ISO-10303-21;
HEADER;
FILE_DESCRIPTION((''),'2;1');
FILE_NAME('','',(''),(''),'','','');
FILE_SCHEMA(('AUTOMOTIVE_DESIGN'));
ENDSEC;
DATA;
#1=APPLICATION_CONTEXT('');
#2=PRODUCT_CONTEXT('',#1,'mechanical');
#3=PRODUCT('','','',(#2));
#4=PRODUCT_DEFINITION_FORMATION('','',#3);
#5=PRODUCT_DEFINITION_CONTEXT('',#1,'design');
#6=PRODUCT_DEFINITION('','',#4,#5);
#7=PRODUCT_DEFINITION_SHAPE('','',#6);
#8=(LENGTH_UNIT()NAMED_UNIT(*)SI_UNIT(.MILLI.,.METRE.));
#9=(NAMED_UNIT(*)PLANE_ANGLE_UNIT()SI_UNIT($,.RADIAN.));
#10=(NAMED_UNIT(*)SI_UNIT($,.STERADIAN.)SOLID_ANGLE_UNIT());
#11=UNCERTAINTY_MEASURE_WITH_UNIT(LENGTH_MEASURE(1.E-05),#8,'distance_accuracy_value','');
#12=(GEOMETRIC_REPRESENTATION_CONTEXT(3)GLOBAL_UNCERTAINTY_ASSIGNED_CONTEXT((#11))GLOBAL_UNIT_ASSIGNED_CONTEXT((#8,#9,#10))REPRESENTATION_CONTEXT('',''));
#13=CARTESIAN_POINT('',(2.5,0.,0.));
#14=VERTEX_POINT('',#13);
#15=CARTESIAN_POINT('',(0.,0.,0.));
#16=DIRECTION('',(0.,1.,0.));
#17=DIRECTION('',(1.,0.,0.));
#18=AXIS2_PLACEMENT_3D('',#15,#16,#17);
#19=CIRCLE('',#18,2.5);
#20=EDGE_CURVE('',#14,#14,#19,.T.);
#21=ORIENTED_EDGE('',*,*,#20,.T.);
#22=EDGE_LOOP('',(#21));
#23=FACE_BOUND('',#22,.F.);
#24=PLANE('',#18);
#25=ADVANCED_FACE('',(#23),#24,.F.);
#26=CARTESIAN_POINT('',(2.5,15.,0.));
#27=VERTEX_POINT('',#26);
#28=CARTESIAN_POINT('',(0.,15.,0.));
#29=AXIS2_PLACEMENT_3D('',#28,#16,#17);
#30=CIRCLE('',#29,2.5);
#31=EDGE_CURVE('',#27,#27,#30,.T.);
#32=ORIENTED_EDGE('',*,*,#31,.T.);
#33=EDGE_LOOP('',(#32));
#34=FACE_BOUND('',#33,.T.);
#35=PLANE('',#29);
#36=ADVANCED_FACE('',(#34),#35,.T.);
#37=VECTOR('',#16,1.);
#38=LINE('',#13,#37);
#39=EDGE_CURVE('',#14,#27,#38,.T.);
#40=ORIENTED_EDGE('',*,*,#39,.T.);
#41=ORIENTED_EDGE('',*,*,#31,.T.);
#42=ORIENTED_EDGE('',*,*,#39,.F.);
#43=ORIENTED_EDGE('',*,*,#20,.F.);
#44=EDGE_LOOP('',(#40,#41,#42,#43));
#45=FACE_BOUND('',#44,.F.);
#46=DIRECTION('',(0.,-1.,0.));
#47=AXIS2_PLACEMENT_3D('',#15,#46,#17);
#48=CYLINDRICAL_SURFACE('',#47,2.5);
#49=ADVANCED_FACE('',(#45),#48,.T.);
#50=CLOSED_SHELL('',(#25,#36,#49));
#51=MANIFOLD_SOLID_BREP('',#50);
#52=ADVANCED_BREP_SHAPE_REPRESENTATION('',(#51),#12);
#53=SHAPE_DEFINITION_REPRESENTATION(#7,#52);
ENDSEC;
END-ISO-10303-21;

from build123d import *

# Parameters (mm, degrees)
SKETCH_1_R      = 2.5
EXTRUDE_1_DEPTH = 15


with BuildPart() as part:
    # 草图1 → 凸台-拉伸1 (new body)
    with BuildSketch(Plane(origin=(0, 0, 0), x_dir=(1, 0, 0), z_dir=(0, 1, 0))):
        Circle(SKETCH_1_R)
    extrude(amount=EXTRUDE_1_DEPTH)


solid = part.part
